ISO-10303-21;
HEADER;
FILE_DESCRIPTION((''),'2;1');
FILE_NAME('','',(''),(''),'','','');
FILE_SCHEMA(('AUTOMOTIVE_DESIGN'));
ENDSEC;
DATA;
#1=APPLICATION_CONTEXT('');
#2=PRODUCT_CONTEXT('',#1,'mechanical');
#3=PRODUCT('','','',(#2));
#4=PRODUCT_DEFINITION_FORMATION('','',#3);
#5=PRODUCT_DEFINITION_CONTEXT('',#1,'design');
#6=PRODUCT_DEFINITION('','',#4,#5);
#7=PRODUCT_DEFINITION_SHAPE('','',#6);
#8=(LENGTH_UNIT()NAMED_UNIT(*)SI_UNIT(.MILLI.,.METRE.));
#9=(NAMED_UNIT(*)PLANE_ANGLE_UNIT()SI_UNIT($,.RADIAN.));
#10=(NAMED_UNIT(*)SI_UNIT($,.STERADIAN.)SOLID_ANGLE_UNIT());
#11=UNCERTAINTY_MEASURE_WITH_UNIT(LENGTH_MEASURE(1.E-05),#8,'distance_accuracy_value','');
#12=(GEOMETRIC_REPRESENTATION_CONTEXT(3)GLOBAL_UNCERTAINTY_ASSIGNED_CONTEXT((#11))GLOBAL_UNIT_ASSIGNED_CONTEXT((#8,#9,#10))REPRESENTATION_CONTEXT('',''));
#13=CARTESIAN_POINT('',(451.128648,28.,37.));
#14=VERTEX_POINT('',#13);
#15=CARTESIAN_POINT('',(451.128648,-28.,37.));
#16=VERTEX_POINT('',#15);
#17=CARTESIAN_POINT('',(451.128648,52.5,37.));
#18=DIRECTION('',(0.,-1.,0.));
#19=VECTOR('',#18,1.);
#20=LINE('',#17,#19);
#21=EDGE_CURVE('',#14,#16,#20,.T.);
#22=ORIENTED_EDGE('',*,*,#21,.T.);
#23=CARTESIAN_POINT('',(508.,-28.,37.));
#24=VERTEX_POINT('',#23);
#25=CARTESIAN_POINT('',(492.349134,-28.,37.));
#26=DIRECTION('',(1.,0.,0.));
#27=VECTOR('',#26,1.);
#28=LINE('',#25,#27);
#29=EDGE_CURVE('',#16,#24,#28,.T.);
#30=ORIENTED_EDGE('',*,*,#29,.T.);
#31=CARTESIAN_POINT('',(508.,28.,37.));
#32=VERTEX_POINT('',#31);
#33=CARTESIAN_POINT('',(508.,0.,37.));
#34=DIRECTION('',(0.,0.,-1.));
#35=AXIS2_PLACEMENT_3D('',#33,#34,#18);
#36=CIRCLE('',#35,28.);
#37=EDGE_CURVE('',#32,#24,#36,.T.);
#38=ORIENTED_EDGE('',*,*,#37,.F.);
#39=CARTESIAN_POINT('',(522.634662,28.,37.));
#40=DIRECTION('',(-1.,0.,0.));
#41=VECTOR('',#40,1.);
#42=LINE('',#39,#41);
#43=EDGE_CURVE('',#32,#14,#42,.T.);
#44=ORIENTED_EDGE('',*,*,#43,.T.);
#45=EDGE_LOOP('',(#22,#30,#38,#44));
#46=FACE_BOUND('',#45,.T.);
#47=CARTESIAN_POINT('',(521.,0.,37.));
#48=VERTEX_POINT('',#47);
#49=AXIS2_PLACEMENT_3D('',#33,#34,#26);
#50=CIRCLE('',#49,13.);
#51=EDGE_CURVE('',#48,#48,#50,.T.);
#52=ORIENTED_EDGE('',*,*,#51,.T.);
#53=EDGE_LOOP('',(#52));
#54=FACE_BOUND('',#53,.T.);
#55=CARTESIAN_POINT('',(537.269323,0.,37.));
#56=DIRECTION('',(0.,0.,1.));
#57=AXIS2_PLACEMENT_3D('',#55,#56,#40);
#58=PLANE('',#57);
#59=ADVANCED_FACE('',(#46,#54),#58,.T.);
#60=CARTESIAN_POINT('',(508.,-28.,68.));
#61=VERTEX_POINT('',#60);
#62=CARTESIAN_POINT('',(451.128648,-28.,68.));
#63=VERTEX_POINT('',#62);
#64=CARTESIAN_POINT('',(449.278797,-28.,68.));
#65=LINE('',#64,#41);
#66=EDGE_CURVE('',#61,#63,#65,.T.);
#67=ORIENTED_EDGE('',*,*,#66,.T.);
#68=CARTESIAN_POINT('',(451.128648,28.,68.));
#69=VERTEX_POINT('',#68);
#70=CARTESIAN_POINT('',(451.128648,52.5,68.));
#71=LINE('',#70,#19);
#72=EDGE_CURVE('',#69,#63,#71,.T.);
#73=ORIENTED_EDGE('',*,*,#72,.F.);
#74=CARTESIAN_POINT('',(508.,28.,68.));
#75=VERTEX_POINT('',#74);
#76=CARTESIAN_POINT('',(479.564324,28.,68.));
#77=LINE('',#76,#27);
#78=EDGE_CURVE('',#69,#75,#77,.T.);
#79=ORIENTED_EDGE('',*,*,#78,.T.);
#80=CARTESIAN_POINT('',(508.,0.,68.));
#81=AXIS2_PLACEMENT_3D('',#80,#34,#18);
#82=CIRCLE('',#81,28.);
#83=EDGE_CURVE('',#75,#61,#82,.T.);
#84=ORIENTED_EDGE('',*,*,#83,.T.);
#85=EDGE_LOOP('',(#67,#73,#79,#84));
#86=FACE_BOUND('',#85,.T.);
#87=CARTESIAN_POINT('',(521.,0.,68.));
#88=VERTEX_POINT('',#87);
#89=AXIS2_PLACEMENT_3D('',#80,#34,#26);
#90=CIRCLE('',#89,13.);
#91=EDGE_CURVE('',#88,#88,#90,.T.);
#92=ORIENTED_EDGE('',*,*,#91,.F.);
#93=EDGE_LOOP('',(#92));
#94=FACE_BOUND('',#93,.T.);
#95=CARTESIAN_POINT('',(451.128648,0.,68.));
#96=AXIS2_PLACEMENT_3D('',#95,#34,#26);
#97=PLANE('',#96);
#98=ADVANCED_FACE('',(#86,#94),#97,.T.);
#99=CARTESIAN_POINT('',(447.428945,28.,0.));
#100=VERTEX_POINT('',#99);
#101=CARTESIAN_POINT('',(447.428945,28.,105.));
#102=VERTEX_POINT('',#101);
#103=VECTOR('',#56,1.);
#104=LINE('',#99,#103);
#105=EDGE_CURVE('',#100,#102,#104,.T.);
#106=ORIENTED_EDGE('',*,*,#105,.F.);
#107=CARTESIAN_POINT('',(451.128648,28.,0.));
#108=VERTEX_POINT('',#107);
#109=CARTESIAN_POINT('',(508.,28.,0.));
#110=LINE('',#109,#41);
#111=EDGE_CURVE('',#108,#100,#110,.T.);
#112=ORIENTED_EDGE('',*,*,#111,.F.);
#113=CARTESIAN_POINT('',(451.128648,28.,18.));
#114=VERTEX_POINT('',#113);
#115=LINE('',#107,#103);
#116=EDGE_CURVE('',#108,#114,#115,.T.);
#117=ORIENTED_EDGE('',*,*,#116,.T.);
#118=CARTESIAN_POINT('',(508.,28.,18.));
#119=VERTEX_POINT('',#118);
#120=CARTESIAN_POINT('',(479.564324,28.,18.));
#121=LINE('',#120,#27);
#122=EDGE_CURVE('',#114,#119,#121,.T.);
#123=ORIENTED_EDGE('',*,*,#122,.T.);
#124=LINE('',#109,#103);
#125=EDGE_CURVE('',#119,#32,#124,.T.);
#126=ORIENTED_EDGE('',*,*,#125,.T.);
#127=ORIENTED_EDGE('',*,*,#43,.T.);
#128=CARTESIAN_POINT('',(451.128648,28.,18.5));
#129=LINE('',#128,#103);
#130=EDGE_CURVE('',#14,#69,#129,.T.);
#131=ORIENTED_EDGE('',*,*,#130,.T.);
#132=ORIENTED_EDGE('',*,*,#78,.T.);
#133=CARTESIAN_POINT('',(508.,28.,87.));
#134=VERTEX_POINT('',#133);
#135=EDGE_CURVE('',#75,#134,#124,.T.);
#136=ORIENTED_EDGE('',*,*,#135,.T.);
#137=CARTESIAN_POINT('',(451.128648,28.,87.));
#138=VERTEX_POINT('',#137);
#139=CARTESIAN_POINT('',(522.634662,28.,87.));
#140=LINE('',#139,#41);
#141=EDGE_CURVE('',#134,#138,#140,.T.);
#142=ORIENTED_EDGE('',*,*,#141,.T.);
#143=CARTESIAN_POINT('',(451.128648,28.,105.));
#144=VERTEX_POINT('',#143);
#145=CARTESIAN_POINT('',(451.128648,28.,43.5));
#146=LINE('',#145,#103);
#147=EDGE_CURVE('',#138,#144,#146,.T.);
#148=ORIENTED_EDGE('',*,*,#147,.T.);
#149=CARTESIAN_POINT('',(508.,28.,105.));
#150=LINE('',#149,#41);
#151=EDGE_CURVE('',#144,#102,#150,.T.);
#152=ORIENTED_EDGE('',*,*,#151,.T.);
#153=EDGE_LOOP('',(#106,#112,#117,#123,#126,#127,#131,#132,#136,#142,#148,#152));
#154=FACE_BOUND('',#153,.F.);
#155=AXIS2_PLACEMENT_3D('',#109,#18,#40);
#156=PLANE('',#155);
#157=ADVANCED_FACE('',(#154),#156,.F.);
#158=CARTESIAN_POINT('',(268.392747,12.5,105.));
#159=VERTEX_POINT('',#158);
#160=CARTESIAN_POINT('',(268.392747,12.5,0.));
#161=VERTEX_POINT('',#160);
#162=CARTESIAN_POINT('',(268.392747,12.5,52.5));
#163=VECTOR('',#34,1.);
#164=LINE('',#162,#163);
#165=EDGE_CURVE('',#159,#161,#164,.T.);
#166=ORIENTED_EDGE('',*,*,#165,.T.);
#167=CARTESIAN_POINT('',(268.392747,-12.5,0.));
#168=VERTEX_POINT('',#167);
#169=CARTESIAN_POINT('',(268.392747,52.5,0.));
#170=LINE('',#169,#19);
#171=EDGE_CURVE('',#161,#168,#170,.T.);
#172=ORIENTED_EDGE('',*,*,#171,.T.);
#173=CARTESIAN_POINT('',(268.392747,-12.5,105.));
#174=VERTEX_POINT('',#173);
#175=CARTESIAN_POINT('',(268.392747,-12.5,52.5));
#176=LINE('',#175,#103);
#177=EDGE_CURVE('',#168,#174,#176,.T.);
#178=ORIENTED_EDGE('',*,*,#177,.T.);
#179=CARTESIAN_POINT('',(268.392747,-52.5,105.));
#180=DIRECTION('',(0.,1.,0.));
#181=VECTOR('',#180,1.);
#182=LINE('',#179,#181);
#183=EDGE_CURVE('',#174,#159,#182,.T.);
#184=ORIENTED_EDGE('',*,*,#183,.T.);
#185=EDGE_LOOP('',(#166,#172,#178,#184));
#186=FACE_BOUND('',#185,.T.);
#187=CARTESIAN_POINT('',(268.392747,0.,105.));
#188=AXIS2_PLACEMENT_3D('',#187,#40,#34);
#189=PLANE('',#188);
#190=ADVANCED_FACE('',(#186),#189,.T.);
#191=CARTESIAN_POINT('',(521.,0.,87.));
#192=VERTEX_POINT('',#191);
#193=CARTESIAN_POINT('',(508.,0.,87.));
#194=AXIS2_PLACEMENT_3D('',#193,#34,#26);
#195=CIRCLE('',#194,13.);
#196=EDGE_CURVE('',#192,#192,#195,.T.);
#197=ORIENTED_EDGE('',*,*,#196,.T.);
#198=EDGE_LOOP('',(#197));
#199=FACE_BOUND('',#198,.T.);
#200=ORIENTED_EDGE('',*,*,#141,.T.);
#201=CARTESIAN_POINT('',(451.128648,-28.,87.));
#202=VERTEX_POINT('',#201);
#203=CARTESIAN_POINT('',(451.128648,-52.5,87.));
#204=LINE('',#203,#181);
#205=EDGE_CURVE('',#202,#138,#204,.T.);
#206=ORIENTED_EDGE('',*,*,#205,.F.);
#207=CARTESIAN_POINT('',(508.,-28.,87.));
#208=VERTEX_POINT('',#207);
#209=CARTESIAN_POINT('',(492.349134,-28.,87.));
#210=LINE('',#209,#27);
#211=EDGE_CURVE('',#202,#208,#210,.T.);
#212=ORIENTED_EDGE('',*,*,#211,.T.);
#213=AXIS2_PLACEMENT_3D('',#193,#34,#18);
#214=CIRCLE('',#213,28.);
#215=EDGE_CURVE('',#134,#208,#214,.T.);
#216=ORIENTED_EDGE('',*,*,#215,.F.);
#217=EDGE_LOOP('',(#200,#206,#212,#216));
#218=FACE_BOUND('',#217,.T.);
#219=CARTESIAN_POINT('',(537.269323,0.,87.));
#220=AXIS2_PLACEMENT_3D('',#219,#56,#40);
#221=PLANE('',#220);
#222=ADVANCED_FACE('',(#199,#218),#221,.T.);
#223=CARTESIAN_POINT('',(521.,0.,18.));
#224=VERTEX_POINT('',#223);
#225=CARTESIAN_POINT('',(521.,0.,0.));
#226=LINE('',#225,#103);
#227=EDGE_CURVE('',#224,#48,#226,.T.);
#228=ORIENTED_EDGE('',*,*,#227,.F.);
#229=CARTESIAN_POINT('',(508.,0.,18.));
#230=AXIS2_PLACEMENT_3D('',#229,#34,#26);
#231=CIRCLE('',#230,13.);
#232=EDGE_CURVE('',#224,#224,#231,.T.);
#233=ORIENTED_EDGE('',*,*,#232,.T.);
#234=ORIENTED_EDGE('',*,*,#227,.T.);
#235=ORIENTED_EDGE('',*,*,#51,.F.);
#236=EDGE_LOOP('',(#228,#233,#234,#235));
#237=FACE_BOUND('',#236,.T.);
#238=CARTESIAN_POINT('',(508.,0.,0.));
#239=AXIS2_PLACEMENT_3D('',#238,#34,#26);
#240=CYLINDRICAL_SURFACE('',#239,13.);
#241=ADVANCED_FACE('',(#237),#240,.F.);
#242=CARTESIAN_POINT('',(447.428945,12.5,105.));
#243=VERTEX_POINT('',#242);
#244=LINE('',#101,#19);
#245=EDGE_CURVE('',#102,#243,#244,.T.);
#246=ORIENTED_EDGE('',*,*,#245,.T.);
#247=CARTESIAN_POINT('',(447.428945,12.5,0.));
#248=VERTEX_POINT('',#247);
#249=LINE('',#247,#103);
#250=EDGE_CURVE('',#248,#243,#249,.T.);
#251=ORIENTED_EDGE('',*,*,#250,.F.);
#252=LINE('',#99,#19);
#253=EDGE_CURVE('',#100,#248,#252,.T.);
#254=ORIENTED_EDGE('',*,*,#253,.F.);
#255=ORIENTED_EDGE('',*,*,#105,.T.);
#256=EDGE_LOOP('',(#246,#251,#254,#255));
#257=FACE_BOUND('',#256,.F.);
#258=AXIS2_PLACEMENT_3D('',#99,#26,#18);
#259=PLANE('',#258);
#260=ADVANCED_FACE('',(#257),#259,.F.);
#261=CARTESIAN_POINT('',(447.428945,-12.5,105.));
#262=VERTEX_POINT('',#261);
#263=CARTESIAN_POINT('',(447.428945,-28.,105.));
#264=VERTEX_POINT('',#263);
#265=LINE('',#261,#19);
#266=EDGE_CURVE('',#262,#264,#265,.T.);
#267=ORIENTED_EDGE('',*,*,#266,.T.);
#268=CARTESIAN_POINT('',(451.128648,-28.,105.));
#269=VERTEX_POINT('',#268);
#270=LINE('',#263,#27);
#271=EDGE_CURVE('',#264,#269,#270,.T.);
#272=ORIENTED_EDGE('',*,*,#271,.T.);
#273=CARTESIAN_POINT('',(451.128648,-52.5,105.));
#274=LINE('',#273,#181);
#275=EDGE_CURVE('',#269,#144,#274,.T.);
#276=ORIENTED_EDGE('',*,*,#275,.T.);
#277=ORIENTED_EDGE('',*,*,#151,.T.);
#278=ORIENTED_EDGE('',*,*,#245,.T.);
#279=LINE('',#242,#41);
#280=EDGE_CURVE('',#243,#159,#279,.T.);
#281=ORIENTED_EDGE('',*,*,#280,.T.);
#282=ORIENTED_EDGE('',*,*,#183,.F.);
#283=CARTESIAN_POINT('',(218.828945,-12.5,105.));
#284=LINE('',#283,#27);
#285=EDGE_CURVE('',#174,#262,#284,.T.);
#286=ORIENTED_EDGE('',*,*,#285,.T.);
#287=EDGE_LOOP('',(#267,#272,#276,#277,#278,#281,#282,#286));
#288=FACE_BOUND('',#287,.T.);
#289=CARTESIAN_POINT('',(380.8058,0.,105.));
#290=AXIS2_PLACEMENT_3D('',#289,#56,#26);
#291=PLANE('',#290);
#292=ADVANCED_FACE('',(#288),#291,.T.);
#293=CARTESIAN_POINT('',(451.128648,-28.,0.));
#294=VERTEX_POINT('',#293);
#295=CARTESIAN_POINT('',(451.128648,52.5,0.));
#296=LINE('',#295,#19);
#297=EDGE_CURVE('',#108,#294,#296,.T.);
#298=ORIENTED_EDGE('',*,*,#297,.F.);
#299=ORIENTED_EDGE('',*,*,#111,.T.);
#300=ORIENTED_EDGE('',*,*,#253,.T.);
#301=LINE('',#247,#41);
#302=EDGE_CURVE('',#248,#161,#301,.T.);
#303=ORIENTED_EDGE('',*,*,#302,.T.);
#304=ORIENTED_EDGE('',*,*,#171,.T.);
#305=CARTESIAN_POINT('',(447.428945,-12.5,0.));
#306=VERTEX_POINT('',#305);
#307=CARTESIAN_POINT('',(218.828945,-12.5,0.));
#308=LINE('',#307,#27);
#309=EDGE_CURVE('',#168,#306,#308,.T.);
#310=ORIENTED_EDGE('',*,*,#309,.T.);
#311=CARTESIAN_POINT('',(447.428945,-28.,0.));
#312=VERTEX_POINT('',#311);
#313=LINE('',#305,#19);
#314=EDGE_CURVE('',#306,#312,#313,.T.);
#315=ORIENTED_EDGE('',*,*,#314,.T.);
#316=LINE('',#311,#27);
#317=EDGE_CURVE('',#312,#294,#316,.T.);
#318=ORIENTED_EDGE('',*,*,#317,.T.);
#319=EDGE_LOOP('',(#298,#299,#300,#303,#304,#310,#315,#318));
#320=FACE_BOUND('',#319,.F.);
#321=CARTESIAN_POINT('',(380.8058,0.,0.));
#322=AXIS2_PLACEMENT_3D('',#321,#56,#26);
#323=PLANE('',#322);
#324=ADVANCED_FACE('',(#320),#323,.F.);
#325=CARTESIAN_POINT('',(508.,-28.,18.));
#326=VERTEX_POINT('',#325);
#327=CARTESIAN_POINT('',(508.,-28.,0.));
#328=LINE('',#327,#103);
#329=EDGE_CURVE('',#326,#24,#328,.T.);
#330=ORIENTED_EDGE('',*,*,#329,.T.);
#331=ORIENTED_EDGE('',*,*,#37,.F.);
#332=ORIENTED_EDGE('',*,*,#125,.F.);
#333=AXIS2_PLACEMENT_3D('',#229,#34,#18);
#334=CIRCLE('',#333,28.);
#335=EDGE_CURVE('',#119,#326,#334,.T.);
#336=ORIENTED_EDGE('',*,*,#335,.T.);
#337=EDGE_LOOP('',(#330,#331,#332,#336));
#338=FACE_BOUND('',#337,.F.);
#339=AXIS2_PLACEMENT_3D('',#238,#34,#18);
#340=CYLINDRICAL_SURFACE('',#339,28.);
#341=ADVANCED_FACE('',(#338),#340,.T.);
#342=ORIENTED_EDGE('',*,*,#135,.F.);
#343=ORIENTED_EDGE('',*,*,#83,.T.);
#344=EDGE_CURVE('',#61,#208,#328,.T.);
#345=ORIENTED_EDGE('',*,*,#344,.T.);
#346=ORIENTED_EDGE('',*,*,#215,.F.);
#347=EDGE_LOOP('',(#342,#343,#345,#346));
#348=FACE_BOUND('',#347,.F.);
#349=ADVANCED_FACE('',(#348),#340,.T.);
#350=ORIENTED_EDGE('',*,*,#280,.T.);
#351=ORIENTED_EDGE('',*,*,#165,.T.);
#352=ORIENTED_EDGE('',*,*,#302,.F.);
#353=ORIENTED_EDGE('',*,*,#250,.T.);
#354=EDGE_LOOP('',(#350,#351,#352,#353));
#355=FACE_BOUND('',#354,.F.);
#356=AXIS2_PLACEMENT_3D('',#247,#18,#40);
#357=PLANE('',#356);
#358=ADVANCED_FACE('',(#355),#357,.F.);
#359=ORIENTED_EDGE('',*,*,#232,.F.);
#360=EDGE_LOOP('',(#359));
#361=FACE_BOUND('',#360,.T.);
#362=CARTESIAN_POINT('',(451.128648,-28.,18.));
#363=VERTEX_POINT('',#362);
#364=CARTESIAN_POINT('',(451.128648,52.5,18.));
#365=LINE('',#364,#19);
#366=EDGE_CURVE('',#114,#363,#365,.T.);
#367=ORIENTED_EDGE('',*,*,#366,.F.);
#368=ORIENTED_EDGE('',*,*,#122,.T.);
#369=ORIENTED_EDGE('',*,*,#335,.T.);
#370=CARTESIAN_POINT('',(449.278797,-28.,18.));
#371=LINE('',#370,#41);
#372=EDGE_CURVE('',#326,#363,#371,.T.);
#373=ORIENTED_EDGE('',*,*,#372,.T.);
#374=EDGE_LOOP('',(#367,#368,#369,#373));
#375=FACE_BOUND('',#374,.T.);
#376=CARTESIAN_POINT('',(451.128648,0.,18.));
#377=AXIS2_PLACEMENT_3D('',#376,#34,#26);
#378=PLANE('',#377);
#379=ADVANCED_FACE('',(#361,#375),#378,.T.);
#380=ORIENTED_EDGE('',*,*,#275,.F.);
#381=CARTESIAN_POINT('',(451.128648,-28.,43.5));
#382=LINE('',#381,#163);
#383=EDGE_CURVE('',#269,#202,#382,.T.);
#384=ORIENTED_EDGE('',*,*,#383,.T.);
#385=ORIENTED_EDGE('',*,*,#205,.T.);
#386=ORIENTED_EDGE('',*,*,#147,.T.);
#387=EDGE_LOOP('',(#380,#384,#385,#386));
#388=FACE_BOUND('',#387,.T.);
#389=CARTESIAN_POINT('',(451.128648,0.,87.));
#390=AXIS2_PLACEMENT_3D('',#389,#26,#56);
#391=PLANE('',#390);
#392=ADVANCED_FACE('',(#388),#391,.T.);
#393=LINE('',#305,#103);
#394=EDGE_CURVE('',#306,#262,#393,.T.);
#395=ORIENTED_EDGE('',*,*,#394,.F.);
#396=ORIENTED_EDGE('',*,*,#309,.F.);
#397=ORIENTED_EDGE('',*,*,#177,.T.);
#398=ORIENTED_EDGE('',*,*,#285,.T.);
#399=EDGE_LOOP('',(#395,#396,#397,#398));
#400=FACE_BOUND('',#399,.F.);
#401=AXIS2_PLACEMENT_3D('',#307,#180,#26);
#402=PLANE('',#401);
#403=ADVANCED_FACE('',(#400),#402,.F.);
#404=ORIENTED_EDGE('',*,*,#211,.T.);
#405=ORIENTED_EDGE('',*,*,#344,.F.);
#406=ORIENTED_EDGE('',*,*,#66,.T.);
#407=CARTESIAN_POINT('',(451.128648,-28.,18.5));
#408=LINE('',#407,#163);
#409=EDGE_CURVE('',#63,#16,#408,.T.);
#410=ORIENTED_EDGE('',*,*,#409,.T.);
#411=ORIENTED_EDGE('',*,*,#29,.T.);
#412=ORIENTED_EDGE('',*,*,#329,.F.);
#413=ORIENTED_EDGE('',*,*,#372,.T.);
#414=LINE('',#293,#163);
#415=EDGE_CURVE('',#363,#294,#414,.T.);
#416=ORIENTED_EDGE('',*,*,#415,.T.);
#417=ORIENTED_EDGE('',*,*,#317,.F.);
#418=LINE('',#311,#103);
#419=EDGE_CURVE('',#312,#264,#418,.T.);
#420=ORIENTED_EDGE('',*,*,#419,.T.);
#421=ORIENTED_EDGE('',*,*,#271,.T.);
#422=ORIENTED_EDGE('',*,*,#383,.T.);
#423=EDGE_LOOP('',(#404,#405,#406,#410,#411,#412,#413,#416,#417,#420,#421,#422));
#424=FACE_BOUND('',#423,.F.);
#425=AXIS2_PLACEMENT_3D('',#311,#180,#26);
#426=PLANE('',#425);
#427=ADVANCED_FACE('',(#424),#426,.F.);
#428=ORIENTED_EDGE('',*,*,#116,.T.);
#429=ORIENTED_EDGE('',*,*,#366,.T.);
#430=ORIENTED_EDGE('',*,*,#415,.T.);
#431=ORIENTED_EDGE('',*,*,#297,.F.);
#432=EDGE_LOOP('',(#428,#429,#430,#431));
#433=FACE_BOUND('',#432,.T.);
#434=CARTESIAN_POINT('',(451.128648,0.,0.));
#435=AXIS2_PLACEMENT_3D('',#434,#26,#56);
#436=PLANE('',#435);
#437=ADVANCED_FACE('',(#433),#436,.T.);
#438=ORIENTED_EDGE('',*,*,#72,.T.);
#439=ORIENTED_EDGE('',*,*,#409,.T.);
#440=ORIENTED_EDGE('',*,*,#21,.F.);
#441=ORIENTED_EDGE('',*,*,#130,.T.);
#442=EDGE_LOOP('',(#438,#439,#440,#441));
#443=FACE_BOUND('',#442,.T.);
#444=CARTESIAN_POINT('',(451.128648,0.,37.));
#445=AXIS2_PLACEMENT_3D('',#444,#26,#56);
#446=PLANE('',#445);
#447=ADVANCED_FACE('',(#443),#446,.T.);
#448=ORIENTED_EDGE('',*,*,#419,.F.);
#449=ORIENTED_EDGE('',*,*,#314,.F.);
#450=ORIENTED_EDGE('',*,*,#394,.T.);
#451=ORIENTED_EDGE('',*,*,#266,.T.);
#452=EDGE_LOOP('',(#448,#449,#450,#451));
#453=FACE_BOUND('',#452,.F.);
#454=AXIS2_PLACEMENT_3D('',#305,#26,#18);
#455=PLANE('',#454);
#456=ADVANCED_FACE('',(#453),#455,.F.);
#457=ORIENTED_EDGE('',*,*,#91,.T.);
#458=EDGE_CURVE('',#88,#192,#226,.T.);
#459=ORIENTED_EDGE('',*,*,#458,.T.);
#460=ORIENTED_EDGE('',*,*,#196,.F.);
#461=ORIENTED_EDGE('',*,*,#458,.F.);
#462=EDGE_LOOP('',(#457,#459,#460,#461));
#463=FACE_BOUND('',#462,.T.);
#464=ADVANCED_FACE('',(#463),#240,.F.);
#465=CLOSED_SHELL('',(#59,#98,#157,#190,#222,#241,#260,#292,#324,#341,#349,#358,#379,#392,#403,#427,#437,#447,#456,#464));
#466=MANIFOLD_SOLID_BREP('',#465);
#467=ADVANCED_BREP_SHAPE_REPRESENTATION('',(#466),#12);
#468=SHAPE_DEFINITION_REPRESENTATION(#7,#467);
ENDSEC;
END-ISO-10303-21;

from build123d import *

# Parameters (mm, degrees)
F0_R     = 13
F1_DEPTH = 105
F3_DEPTH = 52.5


with BuildPart() as f1:
    # F0 (on Top) → F1 (new body)
    with BuildSketch(Plane.XY):
        with BuildLine():
            Line((447.4289454073, -28), (508, -28))
            ThreePointArc((508, -28), (536, 0), (508, 28))
            Line((508, 28), (447.4289454073, 28))
            Line((447.4289454073, 28), (447.4289454073, 12.5))
            Line((447.4289454073, 12.5), (218.8289454073, 12.5))
            Line((218.8289454073, 12.5), (218.8289454073, -12.5))
            Line((218.8289454073, -12.5), (447.4289454073, -12.5))
            Line((447.4289454073, -12.5), (447.4289454073, -28))
        make_face()
        with Locations((508, 0)):
            Circle(F0_R, mode=Mode.SUBTRACT)
    extrude(amount=F1_DEPTH)


with BuildPart() as f3:
    # F2 (on Front) → F3 (new body, symmetric)
    with BuildSketch(Plane.XZ):
        Polygon((268.3927469848, 105), (268.3927469848, 0), (451.1286479985, 0), (451.1286479985, 18), (537.2693231227, 18), (537.2693231227, 37), (451.1286479985, 37), (451.1286479985, 68), (537.2693231227, 68), (537.2693231227, 87), (451.1286479985, 87), (451.1286479985, 105), align=None)
    extrude(amount=F3_DEPTH, both=True)


with BuildPart() as f1_1:
    add(f1.part)

    # F4: intersect F3
    add(f3.part, mode=Mode.INTERSECT)


solid = f1_1.part
